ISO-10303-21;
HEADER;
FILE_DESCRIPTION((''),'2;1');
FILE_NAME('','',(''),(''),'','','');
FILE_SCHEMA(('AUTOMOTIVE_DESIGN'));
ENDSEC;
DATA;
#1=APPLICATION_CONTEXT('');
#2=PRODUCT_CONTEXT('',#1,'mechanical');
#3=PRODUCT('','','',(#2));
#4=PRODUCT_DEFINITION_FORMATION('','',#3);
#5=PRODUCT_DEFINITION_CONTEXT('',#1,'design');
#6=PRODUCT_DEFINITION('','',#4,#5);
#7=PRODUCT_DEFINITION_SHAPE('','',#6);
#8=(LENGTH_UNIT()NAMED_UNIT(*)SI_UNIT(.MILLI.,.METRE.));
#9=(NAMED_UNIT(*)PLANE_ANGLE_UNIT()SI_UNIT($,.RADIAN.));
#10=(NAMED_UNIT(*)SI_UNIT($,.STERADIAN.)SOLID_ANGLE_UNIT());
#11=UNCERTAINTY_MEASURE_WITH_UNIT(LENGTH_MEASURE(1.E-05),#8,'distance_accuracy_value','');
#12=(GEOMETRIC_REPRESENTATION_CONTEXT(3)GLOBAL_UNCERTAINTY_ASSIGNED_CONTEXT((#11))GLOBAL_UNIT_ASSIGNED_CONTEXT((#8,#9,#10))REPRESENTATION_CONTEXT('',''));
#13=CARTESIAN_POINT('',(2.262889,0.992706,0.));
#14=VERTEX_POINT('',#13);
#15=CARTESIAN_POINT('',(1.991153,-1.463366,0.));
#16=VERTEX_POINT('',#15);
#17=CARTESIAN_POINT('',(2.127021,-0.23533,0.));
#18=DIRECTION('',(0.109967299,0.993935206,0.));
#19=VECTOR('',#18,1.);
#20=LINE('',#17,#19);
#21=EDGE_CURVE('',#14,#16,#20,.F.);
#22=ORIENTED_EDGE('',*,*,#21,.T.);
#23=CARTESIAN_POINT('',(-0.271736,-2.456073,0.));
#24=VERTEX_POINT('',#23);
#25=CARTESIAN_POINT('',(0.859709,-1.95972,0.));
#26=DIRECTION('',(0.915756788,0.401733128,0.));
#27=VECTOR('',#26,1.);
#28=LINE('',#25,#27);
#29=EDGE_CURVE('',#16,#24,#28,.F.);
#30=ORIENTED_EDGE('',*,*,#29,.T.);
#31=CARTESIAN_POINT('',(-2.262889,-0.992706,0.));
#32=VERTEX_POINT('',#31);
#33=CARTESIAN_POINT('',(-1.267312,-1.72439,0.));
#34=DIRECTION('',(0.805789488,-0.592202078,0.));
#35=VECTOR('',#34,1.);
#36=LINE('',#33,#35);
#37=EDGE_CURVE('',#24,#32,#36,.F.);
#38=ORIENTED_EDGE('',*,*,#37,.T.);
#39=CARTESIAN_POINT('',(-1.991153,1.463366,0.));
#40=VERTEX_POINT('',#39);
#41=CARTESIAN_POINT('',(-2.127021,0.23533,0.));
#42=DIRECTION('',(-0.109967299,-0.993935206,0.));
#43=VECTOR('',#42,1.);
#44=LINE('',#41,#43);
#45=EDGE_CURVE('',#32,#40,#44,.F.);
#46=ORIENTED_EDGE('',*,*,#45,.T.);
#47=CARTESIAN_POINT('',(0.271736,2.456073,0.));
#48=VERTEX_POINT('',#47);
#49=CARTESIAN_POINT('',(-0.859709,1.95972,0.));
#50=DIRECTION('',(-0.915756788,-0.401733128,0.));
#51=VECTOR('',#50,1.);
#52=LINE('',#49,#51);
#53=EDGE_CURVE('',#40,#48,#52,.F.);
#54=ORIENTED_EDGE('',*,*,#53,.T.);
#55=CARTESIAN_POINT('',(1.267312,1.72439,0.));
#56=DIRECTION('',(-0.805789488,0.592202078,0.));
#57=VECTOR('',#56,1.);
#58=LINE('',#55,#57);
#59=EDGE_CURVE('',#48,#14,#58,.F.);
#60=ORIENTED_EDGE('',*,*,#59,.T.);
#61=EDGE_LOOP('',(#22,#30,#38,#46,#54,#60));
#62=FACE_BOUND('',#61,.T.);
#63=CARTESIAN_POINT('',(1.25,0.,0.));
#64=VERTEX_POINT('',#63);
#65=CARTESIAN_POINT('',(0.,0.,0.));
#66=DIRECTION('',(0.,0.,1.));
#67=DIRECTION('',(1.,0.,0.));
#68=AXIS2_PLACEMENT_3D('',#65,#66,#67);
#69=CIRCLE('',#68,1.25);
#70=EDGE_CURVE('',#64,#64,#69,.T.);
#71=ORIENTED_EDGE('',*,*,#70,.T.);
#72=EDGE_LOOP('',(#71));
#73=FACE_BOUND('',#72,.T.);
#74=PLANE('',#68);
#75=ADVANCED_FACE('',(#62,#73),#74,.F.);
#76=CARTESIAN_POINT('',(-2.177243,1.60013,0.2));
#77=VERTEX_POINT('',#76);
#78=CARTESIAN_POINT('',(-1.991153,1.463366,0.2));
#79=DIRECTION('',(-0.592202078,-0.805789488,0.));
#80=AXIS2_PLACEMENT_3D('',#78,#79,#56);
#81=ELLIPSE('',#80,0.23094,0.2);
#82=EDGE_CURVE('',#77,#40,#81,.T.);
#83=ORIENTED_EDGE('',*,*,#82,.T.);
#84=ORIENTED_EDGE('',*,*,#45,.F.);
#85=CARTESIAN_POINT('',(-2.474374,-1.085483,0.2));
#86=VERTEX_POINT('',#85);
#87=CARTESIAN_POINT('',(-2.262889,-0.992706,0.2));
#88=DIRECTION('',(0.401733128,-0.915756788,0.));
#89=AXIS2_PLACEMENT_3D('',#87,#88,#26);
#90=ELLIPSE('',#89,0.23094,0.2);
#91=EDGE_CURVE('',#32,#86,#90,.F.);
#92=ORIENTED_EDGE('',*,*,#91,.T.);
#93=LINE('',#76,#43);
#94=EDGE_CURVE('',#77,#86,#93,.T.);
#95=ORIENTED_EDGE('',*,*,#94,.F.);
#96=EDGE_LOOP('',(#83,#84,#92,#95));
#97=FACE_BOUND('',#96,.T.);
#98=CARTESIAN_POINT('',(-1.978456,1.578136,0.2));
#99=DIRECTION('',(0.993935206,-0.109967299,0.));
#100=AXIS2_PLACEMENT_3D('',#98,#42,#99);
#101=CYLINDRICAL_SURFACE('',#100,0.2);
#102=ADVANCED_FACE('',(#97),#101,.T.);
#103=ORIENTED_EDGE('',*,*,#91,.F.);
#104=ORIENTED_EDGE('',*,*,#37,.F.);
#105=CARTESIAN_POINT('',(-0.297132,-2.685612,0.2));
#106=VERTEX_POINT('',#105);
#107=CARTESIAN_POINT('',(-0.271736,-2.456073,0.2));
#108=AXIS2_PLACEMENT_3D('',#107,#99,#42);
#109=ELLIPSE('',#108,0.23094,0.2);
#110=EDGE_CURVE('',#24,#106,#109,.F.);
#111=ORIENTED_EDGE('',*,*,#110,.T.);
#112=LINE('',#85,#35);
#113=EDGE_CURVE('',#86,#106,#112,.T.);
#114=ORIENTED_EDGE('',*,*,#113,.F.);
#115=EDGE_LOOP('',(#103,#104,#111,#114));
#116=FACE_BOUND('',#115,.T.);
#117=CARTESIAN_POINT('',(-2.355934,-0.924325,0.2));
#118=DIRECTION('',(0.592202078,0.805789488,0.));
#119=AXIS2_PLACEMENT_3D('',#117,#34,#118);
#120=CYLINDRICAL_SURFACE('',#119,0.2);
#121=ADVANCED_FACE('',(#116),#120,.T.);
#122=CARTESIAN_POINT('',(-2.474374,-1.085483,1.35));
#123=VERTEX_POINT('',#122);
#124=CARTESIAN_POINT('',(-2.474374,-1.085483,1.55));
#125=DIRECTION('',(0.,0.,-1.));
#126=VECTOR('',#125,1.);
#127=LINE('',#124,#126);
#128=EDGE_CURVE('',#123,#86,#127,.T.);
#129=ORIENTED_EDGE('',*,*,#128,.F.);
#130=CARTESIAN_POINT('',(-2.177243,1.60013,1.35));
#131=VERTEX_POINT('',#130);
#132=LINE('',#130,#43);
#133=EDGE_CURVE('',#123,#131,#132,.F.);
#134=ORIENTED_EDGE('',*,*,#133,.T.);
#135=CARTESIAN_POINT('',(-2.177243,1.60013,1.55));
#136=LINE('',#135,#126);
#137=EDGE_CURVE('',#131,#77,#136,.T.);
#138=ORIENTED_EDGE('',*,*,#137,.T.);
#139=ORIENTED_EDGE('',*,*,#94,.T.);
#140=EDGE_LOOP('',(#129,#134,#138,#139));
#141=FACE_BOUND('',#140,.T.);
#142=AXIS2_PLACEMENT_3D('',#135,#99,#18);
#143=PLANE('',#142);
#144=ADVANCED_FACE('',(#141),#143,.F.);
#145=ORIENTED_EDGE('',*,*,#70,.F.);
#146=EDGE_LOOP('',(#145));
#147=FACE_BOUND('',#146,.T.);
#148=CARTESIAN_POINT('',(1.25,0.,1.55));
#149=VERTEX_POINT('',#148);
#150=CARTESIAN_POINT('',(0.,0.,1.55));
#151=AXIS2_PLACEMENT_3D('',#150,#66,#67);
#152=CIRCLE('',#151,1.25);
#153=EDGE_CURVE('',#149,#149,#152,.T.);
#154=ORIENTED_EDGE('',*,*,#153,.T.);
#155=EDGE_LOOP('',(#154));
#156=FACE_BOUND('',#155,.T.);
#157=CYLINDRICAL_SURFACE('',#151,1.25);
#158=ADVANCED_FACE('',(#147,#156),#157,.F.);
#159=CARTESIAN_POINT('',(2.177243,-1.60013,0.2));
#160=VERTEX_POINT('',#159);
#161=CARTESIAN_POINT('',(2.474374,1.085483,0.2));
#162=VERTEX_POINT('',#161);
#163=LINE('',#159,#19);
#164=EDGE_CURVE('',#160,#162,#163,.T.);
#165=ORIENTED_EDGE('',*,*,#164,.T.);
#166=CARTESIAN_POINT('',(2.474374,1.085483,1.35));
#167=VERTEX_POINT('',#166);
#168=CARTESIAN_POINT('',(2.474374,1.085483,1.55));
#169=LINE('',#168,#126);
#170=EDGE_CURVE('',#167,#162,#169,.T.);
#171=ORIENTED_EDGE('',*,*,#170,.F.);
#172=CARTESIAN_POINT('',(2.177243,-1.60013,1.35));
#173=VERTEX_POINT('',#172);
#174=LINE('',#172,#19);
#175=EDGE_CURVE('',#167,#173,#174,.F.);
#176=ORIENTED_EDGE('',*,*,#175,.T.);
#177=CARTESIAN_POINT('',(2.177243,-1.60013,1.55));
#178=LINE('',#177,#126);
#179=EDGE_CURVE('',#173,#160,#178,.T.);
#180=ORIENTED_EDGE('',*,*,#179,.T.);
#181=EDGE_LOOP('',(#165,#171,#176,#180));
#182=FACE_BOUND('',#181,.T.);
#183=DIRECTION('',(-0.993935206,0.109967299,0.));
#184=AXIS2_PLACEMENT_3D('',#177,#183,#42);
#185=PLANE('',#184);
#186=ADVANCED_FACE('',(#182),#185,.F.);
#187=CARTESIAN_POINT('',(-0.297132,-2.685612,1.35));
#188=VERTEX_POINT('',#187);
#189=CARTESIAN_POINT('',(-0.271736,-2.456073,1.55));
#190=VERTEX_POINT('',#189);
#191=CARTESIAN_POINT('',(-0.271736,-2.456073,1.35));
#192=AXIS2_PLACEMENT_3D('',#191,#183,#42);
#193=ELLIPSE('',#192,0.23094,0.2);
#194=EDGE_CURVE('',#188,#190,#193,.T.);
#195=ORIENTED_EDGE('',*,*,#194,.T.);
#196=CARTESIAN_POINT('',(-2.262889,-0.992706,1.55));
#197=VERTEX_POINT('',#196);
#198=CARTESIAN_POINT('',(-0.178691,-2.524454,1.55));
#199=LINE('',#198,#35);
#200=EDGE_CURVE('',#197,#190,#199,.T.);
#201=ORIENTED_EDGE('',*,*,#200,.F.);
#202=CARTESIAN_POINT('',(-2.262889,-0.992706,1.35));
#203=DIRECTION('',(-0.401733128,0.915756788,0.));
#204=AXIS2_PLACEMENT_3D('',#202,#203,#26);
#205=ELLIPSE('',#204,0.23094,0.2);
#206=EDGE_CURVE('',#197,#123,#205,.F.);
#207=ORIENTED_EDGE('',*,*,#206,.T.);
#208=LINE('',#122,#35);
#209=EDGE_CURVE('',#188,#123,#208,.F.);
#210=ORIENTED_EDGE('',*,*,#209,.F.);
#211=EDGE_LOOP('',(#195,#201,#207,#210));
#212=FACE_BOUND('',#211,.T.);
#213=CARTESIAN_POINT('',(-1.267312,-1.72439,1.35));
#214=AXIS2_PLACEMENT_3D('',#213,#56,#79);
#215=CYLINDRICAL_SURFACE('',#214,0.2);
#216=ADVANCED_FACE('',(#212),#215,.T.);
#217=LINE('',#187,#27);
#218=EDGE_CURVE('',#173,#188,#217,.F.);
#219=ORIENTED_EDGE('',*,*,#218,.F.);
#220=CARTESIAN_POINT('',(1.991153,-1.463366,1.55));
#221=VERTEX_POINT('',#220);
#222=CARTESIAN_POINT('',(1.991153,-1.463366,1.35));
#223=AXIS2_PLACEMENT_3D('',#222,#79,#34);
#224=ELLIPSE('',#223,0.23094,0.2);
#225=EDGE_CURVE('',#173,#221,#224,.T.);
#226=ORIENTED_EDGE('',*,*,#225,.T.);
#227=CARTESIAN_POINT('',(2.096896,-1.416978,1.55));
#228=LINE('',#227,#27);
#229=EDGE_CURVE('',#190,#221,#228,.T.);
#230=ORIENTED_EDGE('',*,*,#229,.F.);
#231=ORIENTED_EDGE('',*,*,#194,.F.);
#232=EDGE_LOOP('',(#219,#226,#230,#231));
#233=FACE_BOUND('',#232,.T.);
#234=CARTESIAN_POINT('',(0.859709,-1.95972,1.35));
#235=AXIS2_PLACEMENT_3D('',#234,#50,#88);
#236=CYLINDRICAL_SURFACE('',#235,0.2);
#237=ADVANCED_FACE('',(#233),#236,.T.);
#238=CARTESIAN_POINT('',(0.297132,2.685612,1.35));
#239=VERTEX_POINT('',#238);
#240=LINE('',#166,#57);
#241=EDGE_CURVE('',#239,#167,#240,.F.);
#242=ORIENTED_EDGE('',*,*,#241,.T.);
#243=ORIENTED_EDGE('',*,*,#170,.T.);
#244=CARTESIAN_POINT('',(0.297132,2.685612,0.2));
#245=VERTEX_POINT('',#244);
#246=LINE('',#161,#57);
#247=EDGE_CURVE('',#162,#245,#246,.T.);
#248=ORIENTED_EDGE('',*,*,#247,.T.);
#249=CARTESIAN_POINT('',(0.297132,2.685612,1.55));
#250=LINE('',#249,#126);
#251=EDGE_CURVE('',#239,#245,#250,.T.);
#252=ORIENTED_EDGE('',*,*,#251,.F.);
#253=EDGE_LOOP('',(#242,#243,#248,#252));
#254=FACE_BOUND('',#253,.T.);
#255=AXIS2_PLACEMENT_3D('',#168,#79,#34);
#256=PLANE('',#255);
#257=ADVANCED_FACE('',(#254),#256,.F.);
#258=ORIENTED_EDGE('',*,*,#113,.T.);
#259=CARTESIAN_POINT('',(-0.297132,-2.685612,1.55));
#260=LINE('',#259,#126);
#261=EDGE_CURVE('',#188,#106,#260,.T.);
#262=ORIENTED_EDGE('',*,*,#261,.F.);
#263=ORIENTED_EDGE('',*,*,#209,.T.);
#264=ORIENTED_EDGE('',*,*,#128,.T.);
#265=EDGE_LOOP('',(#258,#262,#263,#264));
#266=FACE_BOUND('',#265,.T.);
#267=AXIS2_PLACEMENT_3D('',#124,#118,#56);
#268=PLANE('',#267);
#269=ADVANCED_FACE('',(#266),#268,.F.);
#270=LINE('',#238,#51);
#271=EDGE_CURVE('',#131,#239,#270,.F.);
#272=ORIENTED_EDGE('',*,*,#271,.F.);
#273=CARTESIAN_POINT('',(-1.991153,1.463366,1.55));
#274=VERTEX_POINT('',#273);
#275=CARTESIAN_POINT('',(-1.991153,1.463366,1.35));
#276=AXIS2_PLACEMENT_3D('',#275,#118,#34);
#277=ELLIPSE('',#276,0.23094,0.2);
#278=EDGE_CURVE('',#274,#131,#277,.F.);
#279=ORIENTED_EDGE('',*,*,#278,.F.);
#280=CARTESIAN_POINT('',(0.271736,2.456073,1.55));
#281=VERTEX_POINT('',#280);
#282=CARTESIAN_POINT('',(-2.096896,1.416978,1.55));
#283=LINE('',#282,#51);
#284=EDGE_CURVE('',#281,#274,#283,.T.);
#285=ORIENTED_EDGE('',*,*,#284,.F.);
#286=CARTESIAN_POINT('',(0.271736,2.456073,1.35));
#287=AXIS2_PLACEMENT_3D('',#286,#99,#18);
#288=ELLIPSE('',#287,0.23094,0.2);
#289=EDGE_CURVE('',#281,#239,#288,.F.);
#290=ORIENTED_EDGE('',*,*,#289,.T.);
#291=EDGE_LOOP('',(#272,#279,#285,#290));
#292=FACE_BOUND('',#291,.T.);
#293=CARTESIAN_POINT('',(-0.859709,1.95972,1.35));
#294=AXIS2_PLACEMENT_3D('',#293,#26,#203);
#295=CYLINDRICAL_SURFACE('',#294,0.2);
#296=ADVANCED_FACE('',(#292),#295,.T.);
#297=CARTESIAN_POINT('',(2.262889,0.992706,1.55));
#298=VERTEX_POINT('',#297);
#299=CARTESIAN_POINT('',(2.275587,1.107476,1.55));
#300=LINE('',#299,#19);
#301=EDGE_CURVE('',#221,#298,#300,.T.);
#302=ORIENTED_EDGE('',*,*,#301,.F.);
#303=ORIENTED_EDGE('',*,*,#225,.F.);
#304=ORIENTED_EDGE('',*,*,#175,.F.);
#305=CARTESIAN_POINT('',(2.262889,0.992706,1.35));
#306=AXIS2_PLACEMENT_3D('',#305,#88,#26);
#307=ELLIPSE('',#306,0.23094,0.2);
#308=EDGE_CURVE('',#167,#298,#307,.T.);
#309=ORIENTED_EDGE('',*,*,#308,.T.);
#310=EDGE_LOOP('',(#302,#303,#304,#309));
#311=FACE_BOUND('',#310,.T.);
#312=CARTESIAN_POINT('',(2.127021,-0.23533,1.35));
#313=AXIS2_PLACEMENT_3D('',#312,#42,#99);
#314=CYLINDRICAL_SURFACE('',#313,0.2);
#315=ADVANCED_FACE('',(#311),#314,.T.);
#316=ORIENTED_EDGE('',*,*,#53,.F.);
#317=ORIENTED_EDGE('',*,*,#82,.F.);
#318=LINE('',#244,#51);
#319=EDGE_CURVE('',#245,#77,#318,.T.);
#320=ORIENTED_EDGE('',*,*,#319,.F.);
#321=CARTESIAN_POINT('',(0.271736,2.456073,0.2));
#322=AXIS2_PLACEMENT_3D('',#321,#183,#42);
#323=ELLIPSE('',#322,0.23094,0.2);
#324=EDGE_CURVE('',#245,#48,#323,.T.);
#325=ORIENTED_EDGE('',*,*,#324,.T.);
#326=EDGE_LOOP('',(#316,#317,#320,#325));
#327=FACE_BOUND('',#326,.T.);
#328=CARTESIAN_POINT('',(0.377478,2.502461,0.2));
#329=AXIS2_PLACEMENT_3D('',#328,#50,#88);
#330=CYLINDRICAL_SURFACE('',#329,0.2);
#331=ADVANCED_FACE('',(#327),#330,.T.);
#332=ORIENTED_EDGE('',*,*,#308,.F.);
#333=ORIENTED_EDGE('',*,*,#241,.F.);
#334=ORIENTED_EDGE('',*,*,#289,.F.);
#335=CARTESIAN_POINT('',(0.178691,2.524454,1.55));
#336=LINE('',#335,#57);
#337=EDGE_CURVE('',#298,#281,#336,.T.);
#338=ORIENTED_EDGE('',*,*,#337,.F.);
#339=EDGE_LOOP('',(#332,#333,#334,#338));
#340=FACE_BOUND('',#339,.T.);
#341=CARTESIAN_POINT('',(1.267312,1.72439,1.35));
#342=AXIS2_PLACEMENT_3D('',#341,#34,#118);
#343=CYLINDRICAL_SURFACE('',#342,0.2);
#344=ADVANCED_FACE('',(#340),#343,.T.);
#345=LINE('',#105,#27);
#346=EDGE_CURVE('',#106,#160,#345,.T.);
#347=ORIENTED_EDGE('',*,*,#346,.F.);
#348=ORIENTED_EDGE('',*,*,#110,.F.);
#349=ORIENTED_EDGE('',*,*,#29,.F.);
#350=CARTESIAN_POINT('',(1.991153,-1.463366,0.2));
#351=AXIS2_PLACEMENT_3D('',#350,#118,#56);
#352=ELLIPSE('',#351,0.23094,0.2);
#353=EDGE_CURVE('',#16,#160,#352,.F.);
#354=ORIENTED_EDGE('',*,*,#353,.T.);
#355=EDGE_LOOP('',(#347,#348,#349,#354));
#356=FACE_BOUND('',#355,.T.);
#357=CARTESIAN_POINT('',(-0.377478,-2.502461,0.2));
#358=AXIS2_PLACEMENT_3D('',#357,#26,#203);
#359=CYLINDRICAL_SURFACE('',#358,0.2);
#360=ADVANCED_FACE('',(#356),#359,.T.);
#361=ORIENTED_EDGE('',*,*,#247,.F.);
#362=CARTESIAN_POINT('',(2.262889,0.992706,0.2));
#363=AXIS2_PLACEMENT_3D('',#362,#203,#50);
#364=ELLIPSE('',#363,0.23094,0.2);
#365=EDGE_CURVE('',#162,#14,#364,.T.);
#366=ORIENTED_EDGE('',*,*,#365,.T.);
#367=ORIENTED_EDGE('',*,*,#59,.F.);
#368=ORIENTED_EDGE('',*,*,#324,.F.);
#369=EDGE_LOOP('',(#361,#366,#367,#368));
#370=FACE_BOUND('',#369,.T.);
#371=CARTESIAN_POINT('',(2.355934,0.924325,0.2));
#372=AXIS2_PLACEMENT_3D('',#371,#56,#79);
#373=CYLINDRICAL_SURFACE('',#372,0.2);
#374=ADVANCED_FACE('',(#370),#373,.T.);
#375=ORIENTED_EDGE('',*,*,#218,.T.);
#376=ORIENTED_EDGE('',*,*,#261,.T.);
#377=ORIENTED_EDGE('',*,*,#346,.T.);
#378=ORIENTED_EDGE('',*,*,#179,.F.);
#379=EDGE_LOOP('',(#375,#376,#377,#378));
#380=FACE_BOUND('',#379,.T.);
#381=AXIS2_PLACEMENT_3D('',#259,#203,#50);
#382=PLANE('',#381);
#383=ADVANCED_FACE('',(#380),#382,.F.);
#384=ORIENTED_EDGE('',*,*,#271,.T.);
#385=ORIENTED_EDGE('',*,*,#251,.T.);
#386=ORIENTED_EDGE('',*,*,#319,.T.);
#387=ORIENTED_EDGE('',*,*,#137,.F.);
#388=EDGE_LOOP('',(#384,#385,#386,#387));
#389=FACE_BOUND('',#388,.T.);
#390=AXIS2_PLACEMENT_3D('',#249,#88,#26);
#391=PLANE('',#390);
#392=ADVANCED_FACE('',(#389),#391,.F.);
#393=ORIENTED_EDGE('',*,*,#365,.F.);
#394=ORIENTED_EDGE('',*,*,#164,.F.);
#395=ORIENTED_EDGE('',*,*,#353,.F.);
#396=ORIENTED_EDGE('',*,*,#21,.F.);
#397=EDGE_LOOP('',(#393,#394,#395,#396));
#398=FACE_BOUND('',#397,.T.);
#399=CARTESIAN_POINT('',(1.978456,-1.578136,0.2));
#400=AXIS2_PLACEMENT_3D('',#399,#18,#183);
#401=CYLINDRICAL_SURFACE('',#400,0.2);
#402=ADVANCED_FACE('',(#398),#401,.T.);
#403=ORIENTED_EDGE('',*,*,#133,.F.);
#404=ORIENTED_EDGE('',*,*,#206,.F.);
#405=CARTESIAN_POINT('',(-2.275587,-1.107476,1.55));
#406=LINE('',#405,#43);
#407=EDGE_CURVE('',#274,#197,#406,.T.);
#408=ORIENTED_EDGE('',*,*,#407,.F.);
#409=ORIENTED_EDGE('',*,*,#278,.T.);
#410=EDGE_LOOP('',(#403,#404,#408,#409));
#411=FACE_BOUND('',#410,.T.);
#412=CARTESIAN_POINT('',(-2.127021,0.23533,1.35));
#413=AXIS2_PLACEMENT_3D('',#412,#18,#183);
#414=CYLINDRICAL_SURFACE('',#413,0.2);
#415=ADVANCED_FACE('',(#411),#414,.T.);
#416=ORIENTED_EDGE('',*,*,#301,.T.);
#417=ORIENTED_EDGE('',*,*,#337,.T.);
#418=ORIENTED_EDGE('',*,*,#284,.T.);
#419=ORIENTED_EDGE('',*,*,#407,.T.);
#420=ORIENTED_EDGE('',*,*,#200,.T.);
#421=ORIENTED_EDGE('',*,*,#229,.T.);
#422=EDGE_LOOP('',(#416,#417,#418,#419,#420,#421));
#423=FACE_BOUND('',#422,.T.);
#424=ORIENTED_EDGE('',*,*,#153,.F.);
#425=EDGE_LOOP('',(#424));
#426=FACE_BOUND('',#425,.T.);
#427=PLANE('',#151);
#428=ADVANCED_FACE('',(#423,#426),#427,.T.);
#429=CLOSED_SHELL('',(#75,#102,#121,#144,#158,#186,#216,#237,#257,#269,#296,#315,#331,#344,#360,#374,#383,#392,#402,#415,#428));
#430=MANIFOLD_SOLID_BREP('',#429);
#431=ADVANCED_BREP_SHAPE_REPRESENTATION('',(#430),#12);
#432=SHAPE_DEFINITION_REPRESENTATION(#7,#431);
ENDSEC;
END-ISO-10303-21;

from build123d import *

# Parameters (mm, degrees)
BOSS_EXTRUDE1_DEPTH   = 1.55
FILLET1_R             = 0.2
F_2_5MM_DOWEL_HOLE1_D = 2.5


with BuildPart() as part:
    # Sketch1 → Boss-Extrude1 (new body)
    with BuildSketch(Plane.XY):
        Polygon((0.297131561, 2.68561219), (-2.177242601, 1.600129575), (-2.474374162, -1.085482615), (-0.297131561, -2.68561219), (2.177242601, -1.600129575), (2.474374162, 1.085482615), align=None)
    extrude(amount=BOSS_EXTRUDE1_DEPTH)

    # Fillet1
    fillet1_edges = [part.edges().sort_by_distance(p)[0] for p in [
        (-2.325808381, 0.25732348, 1.55),
        (-1.385752862, -1.885547402, 1.55),
        (0.94005552, -2.142870883, 1.55),
        (2.325808381, -0.25732348, 1.55),
        (1.385752862, 1.885547402, 1.55),
        (2.325808381, -0.25732348, 0),
        (0.94005552, -2.142870883, 0),
        (-1.385752862, -1.885547402, 0),
        (-0.94005552, 2.142870883, 1.55),
        (-2.325808381, 0.25732348, 0),
        (-0.94005552, 2.142870883, 0),
        (1.385752862, 1.885547402, 0),
    ]]
    fillet(fillet1_edges, radius=FILLET1_R)

    # Ø2.5mm Dowel Hole1 (through all)
    with Locations(Plane.XY.offset(1.55)):
        with Locations((0, 0)):
            Hole(F_2_5MM_DOWEL_HOLE1_D / 2)


solid = part.part
